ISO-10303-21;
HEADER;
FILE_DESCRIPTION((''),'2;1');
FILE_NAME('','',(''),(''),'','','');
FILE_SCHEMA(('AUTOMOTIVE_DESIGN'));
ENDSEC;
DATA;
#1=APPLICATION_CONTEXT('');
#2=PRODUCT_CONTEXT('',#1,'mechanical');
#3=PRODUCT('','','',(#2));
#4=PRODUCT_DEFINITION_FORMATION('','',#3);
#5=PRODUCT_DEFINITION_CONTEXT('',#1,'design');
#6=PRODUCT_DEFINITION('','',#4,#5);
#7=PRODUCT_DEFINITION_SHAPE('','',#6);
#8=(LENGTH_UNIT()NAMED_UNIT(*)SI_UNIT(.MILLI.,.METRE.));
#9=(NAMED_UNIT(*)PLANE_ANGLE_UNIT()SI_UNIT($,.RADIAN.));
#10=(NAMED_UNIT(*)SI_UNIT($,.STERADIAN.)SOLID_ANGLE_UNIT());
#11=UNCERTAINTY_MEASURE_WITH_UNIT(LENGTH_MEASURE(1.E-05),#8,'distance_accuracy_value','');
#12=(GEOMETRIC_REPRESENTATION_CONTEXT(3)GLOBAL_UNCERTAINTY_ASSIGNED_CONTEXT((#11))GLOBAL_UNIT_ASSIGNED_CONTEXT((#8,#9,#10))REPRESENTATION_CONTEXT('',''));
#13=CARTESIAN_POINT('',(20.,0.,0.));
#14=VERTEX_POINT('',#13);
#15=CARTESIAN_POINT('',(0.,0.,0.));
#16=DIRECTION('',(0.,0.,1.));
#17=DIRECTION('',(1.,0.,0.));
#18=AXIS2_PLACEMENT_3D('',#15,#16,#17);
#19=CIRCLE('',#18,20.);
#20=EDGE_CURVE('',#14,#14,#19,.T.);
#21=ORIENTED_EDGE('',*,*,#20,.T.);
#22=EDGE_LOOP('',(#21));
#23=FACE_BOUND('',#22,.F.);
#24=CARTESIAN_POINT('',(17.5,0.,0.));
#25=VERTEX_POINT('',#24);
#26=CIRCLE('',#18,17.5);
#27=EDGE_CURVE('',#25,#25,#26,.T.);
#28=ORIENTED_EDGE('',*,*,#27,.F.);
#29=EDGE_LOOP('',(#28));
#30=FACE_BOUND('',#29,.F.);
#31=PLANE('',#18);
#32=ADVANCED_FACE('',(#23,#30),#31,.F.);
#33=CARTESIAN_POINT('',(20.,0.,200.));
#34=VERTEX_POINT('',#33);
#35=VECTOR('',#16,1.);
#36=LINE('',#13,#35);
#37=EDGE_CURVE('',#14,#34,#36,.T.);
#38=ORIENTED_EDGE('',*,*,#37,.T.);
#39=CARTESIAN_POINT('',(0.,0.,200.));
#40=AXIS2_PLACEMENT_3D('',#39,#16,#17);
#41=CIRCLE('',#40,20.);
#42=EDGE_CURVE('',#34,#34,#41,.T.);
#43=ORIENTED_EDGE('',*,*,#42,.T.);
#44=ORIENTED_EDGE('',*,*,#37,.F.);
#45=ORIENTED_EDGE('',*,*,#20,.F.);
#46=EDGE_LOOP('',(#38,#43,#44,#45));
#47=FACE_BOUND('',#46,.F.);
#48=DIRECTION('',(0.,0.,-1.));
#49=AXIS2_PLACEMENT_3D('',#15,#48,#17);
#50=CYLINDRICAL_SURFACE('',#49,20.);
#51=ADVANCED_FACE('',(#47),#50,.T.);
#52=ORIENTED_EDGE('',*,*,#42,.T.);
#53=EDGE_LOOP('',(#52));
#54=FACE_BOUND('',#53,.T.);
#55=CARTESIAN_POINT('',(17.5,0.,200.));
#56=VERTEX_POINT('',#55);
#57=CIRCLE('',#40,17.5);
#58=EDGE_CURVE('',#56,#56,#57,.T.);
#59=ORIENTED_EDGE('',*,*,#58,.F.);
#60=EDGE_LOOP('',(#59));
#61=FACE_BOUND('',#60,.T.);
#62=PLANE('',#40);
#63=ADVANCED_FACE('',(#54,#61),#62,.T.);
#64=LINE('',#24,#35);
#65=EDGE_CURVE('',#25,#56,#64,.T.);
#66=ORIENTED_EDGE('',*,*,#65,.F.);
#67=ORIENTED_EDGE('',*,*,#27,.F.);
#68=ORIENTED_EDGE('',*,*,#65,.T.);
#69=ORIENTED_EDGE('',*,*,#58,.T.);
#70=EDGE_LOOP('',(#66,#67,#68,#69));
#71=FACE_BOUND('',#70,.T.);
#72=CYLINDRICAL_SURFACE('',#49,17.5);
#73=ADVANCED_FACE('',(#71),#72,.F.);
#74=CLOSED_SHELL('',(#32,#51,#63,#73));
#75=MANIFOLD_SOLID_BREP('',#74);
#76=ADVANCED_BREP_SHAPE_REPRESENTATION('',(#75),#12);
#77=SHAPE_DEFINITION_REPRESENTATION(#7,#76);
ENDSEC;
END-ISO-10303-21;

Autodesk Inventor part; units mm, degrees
ref_plane "YZ Plane" through (0, 0, 0) normal (1, 0, 0) x (0, 1, 0)
ref_plane "XZ Plane" through (0, 0, 0) normal (0, 1, 0) x (-1, 0, 0)
ref_plane "XY Plane" through (0, 0, 0) normal (0, 0, 1) x (1, 0, 0)
sketch "Esquisse1" plane through (0, 0, 0) normal (0, 0, 1) x (1, 0, 0)
  circle A0 centre (0, 0) radius 17.5
  circle A1 centre (0, 0) radius 20
  dimension "d0" = 2.5
  dimension "d1" = 40
  dimension "d2" = 35
extrude "Extrusion1" add sketch "Esquisse1" along normal blind 200
properties part number "tube_ensemble"
